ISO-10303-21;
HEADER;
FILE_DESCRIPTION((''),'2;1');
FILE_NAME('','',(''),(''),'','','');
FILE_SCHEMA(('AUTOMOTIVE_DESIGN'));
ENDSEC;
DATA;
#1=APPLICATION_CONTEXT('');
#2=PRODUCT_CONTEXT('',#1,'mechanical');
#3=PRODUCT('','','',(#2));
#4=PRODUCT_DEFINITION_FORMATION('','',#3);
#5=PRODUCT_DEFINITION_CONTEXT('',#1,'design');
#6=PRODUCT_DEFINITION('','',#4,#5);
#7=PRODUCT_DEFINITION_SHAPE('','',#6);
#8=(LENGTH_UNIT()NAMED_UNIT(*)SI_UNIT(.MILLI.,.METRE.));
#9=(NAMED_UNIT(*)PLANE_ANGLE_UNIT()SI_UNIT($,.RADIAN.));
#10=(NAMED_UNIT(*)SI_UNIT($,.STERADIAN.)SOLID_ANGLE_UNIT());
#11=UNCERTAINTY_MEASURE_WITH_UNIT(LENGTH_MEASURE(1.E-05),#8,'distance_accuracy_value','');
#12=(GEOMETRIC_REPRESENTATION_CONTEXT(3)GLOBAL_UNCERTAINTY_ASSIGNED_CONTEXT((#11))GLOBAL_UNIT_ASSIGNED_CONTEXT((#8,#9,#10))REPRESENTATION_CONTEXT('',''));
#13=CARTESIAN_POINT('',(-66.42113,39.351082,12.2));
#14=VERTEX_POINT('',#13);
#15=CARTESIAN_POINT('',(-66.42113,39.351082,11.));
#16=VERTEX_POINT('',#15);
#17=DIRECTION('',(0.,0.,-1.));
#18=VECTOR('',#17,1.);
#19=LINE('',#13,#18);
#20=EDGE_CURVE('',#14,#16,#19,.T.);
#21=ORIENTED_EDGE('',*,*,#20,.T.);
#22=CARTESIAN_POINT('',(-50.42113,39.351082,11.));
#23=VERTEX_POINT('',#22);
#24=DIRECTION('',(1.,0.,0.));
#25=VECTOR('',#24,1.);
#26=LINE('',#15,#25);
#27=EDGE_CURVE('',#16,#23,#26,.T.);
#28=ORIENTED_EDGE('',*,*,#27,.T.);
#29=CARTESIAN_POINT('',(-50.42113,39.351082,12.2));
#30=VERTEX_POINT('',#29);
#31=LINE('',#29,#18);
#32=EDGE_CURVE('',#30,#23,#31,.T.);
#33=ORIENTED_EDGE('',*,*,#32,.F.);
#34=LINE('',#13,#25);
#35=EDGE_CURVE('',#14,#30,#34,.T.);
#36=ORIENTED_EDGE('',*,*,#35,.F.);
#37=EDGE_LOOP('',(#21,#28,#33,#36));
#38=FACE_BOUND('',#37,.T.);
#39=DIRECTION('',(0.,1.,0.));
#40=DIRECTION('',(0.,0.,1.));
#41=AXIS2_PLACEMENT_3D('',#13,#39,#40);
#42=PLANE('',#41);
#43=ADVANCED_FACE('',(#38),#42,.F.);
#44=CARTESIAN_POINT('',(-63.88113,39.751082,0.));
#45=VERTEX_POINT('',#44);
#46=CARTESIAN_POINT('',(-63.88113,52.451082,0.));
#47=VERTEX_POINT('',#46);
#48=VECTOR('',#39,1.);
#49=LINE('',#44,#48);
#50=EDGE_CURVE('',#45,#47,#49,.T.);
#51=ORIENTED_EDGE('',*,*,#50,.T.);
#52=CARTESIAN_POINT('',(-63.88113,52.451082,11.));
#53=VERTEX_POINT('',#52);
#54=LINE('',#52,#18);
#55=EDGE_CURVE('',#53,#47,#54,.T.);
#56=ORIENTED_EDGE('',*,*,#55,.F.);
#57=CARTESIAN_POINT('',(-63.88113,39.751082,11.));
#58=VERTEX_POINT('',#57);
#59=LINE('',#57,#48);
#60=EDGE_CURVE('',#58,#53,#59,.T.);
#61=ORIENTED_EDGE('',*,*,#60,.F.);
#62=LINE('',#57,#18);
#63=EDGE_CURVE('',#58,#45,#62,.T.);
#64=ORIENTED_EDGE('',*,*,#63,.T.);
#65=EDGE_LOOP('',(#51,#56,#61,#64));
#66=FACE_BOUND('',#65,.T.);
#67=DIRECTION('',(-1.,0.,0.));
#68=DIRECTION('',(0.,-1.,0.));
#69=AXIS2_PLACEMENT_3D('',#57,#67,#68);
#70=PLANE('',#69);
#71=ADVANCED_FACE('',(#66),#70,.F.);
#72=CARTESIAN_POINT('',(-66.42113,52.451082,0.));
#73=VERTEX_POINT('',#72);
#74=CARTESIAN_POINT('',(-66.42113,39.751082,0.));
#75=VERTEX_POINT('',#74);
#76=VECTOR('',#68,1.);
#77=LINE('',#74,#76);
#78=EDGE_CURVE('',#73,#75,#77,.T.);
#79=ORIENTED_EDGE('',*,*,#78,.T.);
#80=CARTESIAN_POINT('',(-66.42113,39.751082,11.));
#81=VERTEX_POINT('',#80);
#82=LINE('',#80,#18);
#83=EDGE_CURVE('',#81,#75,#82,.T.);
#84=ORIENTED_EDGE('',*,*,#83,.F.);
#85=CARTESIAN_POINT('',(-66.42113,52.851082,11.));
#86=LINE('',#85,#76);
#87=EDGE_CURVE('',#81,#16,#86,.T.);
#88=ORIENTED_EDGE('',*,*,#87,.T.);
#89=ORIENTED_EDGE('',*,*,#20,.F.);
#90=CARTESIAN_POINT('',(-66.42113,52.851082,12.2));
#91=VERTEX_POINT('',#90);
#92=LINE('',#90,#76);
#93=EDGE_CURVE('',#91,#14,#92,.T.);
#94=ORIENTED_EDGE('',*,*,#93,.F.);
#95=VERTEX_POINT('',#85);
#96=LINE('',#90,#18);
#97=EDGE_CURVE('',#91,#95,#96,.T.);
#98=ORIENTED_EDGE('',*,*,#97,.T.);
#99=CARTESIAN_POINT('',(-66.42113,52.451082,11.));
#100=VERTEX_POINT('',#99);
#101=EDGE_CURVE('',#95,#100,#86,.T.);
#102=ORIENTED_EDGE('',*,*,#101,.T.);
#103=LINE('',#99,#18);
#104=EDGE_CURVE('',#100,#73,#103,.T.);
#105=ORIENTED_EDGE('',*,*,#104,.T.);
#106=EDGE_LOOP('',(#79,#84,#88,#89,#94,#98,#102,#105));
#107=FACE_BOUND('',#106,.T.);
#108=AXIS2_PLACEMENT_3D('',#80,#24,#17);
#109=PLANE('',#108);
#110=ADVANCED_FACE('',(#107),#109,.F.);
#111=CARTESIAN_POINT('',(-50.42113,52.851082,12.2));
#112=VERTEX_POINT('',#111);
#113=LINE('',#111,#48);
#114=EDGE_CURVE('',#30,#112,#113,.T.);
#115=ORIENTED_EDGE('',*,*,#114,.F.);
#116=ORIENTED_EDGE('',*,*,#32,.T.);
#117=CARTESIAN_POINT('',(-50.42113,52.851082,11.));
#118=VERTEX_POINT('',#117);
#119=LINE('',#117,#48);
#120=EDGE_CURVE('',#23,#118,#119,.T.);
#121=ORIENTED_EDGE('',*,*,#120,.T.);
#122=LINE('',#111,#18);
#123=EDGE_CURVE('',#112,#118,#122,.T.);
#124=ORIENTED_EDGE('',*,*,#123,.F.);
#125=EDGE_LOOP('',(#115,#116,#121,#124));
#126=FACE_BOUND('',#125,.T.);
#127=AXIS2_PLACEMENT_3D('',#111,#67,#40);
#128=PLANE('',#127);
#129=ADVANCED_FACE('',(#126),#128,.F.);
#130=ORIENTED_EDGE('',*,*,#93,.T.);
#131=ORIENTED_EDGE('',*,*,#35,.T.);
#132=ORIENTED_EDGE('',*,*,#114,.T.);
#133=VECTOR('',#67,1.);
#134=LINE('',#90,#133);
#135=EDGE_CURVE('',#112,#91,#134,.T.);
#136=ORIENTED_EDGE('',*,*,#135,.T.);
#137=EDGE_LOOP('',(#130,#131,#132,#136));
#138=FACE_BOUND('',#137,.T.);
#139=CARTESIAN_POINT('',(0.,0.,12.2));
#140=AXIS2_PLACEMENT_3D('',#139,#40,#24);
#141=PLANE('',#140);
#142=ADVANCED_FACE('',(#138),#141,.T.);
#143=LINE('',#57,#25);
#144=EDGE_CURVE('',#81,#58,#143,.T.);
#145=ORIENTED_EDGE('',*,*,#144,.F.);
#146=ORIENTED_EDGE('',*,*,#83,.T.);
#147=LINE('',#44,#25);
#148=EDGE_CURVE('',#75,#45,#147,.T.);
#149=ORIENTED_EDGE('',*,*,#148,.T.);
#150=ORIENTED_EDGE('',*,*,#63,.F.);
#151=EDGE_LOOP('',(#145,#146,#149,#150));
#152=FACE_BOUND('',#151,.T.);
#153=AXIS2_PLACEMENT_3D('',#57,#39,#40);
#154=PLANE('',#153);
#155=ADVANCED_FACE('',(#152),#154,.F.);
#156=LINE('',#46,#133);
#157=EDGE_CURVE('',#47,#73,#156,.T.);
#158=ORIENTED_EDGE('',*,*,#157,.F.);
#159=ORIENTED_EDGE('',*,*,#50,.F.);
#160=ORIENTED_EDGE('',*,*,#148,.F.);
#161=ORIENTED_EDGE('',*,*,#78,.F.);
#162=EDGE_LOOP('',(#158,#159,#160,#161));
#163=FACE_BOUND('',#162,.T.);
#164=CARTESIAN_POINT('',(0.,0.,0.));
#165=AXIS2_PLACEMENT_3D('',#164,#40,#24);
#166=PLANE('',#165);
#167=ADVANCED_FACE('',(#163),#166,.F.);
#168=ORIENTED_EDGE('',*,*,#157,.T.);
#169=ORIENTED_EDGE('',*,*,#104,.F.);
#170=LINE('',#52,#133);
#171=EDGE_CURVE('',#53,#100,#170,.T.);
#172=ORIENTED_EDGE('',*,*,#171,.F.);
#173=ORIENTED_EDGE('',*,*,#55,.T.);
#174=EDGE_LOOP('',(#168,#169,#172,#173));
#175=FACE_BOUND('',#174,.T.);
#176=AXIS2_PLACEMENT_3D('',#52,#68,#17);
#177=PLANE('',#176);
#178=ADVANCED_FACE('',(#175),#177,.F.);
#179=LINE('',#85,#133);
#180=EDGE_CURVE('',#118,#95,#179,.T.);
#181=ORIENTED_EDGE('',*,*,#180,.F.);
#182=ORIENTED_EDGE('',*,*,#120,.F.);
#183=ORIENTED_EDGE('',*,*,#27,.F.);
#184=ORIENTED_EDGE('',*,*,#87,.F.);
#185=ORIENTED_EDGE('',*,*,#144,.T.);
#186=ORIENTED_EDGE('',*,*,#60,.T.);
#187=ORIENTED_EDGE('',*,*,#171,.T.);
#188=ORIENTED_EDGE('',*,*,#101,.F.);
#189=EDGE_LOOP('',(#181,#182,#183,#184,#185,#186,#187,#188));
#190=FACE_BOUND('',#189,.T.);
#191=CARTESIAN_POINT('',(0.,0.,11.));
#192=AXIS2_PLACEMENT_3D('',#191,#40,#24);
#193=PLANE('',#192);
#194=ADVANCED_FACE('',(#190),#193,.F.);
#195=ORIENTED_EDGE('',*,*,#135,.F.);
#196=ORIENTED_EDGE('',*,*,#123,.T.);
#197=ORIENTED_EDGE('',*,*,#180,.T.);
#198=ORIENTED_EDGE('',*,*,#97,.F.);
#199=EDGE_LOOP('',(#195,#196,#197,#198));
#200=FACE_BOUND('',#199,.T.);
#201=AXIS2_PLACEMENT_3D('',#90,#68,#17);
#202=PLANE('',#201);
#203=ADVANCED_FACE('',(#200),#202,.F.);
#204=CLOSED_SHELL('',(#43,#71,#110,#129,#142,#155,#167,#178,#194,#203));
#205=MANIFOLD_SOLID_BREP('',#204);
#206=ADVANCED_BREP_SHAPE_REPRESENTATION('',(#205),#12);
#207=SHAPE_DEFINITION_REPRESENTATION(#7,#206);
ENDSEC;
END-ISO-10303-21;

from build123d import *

# Parameters (mm, degrees)
SKETCH_1_W      = 2.54
SKETCH_1_H      = 12.7
EXTRUDE_1_DEPTH = 11
SKETCH_2_W      = 16
SKETCH_2_H      = 13.5
EXTRUDE_2_DEPTH = 1.2


with BuildPart() as part:
    # 草图1 → 凸台-拉伸1 (new body)
    with BuildSketch(Plane.XY):
        with Locations((-65.151130302, 46.101082042)):
            Rectangle(SKETCH_1_W, SKETCH_1_H)
    extrude(amount=EXTRUDE_1_DEPTH)

    # 草图2 → 凸台-拉伸2 (add)
    with BuildSketch(Plane.XY.offset(11)):
        with Locations((-58.421130302, 46.101082042)):
            Rectangle(SKETCH_2_W, SKETCH_2_H)
    extrude(amount=EXTRUDE_2_DEPTH)


solid = part.part
